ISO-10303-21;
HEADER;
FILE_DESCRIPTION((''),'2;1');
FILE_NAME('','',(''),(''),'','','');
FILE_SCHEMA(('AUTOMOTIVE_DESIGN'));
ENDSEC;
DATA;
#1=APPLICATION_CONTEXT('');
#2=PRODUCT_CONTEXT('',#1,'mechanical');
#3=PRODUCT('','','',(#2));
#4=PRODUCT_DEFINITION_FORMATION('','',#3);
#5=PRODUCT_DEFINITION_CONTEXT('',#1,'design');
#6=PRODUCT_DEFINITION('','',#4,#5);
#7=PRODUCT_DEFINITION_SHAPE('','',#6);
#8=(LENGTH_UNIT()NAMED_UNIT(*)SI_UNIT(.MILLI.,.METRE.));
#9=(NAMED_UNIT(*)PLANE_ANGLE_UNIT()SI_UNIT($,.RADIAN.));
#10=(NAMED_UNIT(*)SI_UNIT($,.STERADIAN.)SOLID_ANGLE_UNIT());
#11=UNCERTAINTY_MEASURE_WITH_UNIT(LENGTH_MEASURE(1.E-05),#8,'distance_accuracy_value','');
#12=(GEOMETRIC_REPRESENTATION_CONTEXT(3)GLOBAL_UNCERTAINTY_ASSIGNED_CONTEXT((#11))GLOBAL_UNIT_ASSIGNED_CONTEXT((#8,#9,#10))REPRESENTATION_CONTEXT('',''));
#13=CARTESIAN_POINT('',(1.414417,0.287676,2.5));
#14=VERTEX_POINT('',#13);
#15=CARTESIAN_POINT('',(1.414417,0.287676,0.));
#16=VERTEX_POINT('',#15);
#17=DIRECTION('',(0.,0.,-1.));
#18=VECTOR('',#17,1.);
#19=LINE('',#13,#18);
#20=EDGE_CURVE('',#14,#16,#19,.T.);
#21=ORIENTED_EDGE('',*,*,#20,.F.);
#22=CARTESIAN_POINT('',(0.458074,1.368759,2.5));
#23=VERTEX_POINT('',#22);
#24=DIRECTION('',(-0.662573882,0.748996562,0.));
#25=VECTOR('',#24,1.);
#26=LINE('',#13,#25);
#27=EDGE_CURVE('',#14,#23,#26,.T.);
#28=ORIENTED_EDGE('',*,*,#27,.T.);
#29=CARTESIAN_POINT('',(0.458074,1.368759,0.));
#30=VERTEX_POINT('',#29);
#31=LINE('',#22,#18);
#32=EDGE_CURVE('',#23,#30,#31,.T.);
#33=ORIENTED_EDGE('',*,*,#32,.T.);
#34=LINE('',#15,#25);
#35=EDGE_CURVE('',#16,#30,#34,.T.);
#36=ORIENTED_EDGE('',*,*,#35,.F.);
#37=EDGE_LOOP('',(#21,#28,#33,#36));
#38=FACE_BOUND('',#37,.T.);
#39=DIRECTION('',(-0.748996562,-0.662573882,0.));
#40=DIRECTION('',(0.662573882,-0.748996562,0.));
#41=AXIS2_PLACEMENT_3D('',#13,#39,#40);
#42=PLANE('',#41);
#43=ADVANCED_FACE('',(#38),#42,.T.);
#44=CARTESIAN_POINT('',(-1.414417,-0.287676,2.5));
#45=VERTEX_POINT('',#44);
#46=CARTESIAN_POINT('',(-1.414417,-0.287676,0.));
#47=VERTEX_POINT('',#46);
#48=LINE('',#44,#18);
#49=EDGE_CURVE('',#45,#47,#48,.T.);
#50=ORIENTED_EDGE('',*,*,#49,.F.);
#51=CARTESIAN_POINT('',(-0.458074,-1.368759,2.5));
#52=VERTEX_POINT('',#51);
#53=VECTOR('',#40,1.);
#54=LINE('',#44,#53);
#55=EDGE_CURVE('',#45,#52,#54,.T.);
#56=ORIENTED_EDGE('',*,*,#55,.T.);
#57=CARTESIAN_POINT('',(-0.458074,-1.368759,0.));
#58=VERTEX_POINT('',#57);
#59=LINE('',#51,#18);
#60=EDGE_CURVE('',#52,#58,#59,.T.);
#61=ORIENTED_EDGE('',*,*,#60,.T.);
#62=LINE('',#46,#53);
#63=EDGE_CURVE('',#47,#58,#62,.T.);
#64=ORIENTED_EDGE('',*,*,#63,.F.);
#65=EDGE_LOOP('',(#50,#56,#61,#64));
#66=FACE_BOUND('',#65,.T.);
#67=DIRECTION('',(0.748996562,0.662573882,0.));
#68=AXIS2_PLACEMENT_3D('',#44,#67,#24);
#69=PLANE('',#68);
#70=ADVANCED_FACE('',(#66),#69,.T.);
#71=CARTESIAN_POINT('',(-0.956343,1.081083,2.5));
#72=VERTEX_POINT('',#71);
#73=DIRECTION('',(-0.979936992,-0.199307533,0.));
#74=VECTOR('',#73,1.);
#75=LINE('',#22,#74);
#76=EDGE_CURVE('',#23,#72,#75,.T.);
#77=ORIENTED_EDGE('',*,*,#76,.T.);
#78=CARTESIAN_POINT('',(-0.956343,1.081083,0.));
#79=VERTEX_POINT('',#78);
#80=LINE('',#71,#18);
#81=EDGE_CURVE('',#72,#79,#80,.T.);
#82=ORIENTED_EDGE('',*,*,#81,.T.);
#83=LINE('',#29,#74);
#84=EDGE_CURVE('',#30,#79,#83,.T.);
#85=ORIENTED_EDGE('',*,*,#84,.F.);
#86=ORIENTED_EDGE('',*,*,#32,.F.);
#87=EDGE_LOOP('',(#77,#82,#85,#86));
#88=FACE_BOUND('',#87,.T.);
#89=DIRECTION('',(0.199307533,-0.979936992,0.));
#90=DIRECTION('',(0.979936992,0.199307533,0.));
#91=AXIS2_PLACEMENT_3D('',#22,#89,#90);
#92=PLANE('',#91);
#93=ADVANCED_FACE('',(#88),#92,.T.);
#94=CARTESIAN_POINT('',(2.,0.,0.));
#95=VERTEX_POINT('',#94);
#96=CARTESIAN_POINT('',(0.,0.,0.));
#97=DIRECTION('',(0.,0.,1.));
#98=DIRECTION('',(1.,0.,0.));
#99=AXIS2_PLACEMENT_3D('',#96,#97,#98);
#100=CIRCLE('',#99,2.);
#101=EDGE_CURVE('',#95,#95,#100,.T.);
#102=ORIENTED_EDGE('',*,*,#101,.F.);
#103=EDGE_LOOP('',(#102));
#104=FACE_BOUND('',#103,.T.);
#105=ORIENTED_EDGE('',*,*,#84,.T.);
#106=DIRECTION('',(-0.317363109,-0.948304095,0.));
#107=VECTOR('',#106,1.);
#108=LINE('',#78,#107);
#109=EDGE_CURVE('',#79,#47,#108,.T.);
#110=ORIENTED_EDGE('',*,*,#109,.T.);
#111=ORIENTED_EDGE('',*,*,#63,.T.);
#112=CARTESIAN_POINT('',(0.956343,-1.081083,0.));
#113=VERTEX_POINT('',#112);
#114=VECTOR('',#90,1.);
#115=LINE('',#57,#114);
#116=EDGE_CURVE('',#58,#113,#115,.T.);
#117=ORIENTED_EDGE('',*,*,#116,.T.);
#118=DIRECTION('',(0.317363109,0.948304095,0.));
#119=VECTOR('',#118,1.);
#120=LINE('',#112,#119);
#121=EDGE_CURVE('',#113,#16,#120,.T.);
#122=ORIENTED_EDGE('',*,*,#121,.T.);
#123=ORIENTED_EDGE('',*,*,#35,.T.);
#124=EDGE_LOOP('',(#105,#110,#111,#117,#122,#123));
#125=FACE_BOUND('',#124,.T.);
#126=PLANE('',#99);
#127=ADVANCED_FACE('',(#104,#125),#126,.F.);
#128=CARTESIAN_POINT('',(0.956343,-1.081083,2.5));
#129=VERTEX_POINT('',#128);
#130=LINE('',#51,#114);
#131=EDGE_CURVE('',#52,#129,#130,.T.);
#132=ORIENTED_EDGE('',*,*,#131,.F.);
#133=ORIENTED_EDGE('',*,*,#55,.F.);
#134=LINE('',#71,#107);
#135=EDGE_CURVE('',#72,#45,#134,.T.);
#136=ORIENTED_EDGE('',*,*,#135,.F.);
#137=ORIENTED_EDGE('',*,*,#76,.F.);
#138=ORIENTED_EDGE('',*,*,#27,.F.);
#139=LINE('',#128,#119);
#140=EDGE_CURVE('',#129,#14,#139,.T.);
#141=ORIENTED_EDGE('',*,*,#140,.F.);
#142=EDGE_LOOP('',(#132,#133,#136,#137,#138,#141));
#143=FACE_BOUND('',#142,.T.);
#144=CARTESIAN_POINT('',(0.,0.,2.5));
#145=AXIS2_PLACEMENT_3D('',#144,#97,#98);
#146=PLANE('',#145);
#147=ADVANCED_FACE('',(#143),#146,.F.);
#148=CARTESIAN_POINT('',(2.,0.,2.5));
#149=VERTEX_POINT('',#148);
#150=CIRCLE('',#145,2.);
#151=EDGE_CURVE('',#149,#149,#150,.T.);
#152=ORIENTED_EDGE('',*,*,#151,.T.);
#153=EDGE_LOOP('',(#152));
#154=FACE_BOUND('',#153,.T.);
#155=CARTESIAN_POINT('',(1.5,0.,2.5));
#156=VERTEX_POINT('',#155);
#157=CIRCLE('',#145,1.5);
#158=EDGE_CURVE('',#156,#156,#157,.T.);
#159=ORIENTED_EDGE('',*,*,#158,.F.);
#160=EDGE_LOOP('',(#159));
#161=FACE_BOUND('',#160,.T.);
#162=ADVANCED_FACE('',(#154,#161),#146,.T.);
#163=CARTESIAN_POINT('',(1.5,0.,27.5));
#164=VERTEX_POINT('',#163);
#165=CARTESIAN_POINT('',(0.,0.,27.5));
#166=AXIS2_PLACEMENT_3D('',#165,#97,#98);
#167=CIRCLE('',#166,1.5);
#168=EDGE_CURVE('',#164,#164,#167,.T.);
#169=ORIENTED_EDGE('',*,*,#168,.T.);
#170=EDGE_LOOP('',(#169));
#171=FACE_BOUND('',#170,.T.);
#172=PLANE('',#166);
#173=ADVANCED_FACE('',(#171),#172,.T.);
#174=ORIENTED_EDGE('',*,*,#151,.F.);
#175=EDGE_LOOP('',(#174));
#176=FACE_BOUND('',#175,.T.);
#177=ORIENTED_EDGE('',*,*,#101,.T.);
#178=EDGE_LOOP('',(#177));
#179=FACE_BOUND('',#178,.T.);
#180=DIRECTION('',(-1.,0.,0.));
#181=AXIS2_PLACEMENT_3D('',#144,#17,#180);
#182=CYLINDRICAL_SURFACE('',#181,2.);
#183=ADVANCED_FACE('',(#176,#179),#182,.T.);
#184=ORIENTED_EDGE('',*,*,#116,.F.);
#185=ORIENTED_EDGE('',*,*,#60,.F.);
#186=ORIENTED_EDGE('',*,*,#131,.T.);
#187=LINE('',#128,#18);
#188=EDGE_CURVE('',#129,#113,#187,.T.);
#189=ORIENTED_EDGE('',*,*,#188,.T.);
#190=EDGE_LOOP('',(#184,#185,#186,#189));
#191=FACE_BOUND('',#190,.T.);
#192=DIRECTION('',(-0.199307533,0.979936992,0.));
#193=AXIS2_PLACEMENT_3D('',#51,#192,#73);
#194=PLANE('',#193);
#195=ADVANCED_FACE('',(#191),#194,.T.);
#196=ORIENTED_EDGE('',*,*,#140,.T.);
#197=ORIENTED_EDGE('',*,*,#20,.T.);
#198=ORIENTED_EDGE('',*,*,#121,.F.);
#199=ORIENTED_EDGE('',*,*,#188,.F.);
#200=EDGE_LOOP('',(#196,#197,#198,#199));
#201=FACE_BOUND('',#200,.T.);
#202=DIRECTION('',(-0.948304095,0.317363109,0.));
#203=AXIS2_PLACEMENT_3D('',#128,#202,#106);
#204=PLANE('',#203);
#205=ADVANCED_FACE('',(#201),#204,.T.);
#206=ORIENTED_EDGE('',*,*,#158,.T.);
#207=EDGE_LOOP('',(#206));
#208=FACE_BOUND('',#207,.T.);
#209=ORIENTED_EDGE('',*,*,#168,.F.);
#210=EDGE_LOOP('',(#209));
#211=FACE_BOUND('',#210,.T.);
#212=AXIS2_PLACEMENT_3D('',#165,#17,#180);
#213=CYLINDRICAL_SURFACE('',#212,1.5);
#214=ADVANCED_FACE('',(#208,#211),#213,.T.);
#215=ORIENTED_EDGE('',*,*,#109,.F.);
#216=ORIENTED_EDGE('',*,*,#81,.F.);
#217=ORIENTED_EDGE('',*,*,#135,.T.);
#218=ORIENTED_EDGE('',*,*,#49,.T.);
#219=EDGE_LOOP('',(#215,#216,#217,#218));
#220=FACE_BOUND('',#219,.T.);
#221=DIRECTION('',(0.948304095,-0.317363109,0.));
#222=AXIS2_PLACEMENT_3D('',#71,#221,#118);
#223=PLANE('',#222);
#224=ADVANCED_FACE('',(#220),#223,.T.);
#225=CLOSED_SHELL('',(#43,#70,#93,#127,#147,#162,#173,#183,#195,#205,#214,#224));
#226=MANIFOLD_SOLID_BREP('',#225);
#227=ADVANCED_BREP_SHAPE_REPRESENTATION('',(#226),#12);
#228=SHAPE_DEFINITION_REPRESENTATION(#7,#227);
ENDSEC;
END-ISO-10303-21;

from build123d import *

# Parameters (mm, degrees)
SKETCH_1_R      = 2
EXTRUDE_1_DEPTH = 2.5
SKETCH_2_R      = 1.5
EXTRUDE_2_DEPTH = 25


with BuildPart() as part:
    # 草图1 → 凸台-拉伸1 (new body)
    with BuildSketch(Plane.XY):
        Circle(SKETCH_1_R)
        Polygon((-0.956343023, 1.081083417), (-1.414417215, -0.287675644), (-0.458074192, -1.368759061), (0.956343023, -1.081083417), (1.414417215, 0.287675644), (0.458074192, 1.368759061), align=None, mode=Mode.SUBTRACT)
    extrude(amount=EXTRUDE_1_DEPTH)

    # 草图2 → 凸台-拉伸2 (add)
    with BuildSketch(Plane.XY.offset(2.5)):
        Circle(SKETCH_2_R)
    extrude(amount=EXTRUDE_2_DEPTH)


solid = part.part
